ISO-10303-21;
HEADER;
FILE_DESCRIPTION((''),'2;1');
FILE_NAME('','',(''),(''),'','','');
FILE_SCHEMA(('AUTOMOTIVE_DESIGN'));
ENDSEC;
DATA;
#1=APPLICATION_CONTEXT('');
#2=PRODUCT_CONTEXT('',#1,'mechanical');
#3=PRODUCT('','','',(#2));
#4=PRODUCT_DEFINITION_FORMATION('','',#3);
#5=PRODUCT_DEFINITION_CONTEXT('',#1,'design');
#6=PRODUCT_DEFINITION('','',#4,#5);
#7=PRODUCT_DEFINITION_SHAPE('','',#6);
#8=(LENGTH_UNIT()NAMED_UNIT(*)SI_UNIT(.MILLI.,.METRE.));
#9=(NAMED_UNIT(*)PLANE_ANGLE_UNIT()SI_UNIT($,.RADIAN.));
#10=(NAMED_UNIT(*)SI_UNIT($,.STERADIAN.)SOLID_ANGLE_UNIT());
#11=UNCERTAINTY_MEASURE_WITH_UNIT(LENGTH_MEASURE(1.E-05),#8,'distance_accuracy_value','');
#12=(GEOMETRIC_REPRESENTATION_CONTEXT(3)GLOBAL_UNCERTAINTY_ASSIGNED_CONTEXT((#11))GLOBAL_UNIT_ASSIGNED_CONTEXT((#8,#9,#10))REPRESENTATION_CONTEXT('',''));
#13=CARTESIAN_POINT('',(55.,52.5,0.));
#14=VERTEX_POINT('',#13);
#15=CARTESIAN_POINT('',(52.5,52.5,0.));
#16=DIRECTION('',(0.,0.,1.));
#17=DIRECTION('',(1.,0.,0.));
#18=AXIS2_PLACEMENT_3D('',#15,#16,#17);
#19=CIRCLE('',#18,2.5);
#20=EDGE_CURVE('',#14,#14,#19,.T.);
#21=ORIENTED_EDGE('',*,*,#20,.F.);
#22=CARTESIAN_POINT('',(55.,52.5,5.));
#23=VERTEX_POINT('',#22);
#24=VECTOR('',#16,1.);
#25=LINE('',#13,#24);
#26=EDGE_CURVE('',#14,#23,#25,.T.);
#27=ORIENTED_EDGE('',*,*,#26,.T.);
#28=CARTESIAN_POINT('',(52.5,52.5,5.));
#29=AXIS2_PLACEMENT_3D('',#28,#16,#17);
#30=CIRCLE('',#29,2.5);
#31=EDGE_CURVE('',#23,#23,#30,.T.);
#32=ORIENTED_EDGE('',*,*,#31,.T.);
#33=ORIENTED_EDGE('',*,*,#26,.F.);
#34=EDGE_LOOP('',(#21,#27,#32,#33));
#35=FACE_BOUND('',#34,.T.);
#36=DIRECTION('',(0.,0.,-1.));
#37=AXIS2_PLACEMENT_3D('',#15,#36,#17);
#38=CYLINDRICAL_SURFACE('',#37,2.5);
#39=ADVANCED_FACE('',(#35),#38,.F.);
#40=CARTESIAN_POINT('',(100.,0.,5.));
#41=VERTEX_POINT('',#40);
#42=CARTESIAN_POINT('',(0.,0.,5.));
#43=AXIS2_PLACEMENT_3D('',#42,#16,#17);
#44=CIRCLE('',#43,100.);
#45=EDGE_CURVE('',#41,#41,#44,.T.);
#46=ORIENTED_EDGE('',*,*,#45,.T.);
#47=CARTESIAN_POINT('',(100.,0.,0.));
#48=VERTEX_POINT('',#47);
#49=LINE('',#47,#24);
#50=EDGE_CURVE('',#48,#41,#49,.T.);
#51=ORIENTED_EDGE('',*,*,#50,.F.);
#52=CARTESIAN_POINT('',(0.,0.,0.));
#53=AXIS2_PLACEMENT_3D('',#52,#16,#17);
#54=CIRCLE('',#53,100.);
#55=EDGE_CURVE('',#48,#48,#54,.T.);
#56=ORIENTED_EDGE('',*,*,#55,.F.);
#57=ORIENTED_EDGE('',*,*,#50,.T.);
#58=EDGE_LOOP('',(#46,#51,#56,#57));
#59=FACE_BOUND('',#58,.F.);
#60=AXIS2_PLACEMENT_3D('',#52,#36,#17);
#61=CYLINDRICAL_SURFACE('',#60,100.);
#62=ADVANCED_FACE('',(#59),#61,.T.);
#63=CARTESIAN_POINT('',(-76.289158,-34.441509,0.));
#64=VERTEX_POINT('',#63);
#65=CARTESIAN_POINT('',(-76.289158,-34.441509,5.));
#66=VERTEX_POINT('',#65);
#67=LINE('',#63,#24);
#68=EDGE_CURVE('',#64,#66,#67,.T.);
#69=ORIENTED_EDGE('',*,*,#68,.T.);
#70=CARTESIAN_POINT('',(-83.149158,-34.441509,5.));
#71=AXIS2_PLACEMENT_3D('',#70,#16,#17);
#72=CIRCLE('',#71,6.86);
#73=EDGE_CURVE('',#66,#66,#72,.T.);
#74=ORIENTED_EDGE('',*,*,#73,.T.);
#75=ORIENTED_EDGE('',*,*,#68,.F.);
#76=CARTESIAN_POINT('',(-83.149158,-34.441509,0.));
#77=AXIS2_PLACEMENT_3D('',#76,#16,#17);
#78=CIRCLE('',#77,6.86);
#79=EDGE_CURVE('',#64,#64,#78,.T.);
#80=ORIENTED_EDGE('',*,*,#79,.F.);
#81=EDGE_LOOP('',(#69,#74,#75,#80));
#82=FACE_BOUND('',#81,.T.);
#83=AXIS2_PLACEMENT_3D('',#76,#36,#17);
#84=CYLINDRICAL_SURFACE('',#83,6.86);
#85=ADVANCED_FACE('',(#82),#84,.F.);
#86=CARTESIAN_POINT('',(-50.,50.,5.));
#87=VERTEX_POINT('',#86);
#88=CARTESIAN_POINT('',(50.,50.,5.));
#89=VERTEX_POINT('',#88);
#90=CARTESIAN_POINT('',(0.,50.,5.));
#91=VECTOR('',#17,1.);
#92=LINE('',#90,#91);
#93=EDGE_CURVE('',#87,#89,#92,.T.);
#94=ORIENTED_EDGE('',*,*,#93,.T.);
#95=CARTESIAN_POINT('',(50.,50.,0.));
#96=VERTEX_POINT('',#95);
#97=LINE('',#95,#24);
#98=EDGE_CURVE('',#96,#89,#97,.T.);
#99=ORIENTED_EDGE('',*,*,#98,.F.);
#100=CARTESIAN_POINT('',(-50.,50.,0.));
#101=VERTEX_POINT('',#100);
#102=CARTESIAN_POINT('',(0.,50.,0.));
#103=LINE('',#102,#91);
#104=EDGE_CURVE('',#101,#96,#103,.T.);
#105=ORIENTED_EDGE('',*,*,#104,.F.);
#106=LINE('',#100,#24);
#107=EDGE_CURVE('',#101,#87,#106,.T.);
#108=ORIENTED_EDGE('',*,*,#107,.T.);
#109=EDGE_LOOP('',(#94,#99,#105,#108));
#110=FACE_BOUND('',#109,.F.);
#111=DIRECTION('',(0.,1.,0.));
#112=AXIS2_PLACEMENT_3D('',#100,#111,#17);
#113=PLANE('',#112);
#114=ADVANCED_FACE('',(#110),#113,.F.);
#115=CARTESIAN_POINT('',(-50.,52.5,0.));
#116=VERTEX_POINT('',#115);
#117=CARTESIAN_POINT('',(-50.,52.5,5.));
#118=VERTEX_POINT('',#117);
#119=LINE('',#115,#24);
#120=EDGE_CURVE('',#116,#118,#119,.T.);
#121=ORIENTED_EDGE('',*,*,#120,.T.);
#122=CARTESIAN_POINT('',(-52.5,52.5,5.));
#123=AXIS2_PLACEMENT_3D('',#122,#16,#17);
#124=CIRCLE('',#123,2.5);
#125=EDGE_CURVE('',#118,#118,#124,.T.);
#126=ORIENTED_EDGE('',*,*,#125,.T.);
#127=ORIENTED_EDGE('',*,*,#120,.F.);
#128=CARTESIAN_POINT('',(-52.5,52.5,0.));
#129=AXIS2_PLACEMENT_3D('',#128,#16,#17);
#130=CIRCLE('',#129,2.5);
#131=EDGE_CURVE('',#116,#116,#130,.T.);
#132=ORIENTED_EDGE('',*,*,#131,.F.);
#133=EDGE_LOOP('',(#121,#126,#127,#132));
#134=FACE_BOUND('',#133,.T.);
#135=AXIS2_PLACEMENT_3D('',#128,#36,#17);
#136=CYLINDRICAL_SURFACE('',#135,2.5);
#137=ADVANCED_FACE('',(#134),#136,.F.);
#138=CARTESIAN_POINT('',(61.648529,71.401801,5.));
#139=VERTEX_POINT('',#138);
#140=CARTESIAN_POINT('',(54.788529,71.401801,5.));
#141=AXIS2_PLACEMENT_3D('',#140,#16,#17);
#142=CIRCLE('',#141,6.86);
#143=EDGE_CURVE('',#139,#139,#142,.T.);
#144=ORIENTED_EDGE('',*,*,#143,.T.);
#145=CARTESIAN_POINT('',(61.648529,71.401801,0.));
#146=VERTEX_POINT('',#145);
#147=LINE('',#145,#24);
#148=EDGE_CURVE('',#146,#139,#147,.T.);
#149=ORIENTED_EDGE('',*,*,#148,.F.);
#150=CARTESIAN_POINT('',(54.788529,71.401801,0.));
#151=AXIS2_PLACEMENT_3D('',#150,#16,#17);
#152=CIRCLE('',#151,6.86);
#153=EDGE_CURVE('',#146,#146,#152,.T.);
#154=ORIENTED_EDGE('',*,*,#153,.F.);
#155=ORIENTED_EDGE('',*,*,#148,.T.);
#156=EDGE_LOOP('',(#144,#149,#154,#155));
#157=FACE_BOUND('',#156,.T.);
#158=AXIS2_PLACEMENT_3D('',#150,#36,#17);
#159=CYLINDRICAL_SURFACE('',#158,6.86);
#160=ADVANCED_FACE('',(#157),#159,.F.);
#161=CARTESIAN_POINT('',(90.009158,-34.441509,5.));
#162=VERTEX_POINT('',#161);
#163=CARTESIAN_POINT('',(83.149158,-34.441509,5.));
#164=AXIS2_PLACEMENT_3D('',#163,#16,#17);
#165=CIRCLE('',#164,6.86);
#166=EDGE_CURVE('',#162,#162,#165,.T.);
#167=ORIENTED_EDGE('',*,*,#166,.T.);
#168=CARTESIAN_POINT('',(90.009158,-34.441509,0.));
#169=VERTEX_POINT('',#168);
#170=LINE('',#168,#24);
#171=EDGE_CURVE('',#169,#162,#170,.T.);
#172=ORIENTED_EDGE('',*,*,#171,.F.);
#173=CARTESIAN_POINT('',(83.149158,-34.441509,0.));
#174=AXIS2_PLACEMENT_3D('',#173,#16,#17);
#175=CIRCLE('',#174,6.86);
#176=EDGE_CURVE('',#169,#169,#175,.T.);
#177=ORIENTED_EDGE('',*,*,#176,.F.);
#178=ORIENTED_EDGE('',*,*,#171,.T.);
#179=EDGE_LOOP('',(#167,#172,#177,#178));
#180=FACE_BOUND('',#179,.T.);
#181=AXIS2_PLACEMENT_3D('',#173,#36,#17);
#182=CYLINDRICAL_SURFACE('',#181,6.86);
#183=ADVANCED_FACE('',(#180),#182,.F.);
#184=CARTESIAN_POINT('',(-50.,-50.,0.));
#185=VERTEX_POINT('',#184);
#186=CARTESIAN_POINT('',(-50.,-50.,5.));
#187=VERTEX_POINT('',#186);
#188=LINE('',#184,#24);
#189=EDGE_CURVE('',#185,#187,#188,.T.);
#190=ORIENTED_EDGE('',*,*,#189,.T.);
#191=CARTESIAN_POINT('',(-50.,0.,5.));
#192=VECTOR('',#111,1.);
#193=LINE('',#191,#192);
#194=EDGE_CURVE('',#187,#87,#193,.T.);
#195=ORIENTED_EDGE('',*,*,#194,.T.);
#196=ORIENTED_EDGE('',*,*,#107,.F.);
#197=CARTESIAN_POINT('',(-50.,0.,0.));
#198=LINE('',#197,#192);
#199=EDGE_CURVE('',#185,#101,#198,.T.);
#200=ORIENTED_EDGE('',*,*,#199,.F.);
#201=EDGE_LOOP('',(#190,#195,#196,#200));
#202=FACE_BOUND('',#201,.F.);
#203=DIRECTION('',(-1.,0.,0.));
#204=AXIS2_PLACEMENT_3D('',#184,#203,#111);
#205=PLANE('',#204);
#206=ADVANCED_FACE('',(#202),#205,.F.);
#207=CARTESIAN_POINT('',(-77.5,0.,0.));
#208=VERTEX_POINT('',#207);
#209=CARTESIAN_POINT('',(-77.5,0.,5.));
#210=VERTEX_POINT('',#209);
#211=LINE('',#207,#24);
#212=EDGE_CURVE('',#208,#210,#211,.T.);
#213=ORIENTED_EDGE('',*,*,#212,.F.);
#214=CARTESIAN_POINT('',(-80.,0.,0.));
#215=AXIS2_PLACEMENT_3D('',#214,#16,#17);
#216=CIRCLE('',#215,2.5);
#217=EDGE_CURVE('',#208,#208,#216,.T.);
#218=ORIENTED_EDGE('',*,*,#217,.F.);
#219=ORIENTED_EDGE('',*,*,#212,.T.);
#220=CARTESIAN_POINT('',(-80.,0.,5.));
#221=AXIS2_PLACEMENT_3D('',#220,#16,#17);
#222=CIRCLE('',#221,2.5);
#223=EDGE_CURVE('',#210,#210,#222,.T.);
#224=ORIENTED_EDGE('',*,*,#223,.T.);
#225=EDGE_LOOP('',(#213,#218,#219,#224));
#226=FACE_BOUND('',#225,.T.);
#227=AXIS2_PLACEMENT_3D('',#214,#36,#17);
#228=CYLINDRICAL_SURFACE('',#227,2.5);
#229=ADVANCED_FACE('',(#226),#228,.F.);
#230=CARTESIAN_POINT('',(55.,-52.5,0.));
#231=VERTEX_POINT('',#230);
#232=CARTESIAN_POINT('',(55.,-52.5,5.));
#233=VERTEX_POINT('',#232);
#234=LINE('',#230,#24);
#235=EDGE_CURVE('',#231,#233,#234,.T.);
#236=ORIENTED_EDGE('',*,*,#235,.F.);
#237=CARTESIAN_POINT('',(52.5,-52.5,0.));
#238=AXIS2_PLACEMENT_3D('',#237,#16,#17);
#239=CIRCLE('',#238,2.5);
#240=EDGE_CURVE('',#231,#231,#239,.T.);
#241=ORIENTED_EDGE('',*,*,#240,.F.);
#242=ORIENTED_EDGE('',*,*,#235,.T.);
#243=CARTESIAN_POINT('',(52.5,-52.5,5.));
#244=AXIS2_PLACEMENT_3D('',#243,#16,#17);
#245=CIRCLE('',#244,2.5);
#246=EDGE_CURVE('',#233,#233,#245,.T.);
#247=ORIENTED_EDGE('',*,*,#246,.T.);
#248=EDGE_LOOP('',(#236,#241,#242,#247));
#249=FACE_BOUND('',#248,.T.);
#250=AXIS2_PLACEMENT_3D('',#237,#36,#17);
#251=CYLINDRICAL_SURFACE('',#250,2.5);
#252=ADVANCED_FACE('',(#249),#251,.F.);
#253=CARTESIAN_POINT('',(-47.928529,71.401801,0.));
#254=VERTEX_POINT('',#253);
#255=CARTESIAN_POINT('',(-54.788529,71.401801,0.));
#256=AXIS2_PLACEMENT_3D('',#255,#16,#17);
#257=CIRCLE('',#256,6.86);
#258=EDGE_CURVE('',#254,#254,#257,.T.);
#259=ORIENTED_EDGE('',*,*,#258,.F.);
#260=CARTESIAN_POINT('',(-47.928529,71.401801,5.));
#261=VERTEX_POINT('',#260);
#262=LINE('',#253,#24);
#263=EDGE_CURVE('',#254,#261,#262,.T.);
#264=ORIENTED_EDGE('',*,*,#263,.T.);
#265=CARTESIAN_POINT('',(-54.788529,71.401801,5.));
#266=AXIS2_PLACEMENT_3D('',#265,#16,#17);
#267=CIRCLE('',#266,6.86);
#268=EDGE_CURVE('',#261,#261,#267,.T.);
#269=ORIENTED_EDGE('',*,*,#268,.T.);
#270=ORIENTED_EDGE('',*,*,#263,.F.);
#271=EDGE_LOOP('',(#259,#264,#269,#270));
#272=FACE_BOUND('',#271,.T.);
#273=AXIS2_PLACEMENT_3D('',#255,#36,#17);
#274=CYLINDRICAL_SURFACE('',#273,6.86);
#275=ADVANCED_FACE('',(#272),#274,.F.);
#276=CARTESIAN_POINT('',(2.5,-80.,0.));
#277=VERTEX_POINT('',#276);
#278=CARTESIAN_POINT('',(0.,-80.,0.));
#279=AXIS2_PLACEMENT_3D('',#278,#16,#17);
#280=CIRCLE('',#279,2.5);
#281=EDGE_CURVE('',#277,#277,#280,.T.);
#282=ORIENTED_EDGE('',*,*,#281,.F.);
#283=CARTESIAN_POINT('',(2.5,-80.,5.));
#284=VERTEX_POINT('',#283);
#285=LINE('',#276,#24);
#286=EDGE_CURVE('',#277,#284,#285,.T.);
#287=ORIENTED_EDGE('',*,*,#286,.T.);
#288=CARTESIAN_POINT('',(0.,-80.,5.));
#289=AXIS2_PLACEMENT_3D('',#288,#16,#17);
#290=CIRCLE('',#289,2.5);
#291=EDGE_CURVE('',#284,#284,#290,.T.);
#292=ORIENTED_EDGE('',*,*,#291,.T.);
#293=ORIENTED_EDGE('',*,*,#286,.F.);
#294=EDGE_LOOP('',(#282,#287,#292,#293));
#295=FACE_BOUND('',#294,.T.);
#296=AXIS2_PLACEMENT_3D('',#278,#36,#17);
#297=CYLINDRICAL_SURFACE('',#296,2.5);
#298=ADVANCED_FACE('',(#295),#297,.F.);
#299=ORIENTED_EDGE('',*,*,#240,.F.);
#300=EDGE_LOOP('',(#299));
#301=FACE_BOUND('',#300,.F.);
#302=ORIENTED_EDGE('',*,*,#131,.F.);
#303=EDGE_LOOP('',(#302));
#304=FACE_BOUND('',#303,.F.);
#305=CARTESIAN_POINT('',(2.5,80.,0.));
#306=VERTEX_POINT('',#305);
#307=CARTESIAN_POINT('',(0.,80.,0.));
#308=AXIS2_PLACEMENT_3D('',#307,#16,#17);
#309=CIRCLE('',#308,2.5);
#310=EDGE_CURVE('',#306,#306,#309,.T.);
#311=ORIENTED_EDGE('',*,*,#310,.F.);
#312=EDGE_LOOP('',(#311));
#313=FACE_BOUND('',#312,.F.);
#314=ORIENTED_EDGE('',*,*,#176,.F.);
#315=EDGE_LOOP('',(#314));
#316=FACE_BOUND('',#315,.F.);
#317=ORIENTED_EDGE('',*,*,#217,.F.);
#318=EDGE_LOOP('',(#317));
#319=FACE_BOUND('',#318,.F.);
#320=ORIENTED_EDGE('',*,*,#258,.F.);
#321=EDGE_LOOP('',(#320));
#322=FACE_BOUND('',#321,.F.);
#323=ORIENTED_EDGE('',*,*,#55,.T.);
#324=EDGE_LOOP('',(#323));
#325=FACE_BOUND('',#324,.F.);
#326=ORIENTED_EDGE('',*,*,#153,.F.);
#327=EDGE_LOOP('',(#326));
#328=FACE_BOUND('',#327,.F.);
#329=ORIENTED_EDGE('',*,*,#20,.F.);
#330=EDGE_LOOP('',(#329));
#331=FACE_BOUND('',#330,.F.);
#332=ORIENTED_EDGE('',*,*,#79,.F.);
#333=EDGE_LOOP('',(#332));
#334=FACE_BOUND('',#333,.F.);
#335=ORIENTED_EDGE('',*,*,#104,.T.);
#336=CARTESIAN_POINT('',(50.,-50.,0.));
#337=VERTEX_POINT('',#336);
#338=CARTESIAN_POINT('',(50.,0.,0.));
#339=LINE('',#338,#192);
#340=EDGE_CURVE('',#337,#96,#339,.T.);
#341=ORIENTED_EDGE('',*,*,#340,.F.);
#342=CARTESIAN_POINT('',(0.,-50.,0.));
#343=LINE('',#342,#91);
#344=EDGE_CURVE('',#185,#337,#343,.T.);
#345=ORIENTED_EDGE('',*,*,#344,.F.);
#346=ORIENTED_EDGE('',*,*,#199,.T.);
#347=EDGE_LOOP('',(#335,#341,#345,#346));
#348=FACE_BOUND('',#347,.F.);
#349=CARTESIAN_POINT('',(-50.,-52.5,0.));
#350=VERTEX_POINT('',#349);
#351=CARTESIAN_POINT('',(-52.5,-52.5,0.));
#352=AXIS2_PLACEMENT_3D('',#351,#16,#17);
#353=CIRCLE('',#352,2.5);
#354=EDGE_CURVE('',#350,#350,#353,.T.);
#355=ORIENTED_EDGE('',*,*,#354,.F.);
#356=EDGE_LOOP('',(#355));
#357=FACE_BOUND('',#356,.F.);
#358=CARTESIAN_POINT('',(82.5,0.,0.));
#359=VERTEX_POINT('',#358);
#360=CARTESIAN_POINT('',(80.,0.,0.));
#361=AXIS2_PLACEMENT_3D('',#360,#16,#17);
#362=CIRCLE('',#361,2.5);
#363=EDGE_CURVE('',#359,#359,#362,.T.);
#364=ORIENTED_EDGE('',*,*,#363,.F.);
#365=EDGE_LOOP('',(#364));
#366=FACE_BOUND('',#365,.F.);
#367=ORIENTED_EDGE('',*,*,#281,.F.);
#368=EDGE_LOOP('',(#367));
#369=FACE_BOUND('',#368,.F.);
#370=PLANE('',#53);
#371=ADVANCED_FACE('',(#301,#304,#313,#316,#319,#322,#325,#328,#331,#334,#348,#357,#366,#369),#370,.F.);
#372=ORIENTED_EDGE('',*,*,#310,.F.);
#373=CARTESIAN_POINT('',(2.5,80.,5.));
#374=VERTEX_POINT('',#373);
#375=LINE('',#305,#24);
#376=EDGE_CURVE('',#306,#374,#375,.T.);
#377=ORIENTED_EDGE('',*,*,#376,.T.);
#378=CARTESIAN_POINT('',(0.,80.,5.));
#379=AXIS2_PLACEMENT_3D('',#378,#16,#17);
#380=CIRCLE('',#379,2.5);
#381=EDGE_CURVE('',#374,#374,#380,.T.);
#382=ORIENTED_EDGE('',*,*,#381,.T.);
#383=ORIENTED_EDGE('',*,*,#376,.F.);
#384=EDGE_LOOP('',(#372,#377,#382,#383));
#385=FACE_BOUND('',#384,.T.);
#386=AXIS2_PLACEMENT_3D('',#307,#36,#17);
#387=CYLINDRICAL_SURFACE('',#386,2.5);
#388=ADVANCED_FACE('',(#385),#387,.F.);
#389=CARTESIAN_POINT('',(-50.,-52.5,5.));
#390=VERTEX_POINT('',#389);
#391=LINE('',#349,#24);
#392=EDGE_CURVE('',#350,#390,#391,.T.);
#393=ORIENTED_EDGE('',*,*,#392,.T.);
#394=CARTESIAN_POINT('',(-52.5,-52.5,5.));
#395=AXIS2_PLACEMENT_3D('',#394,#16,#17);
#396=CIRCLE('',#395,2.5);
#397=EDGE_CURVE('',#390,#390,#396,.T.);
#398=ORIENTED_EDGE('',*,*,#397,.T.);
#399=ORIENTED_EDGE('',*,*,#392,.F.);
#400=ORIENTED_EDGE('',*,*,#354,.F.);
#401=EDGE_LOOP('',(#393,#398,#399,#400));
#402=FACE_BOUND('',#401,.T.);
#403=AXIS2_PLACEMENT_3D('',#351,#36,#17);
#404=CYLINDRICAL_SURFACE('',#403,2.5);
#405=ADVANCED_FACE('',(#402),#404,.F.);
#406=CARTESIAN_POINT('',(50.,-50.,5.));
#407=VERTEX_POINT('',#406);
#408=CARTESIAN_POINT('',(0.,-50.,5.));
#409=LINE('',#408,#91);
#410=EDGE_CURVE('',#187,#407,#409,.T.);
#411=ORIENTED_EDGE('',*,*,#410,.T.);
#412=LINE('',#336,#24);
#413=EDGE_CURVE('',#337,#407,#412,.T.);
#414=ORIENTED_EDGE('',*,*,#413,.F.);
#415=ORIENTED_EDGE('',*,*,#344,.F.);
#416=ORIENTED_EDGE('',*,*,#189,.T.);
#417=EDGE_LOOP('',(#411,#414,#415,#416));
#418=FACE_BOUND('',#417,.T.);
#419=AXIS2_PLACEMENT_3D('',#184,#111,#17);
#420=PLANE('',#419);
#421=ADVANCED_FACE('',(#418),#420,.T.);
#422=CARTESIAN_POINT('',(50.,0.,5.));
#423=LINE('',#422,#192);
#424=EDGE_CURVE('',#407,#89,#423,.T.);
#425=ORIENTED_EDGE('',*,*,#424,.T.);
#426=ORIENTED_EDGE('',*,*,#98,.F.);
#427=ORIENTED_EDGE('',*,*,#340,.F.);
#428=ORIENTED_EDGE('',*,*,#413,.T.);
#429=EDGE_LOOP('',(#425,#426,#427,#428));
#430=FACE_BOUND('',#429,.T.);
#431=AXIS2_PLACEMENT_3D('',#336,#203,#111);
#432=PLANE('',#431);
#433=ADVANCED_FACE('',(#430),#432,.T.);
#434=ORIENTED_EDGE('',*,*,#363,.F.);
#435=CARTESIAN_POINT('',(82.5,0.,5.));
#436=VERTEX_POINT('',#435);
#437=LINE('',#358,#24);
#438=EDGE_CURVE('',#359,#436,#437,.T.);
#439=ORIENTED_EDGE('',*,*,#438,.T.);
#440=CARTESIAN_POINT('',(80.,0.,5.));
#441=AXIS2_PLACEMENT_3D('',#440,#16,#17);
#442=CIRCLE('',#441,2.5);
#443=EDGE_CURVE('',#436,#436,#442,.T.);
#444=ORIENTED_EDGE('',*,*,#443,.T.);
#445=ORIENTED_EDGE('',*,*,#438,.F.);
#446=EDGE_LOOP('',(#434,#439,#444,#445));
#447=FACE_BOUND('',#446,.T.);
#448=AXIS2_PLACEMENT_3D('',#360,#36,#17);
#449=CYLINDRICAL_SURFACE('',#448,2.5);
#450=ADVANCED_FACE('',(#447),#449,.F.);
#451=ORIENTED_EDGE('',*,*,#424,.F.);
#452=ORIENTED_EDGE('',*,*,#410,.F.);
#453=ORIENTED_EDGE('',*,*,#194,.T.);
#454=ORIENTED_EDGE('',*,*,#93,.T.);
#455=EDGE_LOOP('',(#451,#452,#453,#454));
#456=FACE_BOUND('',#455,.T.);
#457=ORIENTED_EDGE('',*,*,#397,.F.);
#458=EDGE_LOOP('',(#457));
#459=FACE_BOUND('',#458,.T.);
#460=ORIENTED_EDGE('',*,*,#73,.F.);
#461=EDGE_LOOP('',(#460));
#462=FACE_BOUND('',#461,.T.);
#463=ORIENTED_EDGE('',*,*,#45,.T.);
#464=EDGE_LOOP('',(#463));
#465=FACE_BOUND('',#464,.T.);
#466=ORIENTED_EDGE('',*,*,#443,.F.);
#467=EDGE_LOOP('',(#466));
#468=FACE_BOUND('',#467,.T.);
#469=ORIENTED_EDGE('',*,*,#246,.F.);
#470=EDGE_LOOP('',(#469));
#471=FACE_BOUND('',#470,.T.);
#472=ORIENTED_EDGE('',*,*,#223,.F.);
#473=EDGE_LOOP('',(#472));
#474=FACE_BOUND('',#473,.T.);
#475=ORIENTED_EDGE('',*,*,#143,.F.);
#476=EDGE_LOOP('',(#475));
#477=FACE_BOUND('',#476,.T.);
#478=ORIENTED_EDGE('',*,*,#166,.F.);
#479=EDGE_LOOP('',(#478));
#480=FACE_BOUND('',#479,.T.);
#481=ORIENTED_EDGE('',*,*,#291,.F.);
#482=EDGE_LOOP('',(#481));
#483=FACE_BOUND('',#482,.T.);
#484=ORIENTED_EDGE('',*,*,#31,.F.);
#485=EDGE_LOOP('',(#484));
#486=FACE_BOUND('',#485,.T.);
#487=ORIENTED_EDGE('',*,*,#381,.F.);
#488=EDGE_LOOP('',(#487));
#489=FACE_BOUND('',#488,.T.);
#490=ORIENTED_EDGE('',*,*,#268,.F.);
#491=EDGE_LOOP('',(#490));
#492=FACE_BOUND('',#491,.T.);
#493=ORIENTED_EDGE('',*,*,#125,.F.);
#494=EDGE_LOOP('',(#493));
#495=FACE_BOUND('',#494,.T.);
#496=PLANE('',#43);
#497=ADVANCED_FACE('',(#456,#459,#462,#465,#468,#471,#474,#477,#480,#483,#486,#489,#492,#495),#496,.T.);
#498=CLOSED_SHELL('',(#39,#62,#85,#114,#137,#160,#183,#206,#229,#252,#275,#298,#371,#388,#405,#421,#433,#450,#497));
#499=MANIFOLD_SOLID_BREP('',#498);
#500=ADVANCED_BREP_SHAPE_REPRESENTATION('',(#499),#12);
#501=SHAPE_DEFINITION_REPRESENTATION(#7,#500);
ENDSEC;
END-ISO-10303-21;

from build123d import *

# Parameters (mm, degrees)
F0_R     = 100
F0_R_2   = 2.5
F0_R_3   = 6.86
F0_W     = 100
F0_H     = 100
F1_DEPTH = 5


with BuildPart() as f1:
    # F0 (on Top) → F1 (new body)
    with BuildSketch(Plane.XY):
        Circle(F0_R)
        with Locations((-52.5, -52.5)):
            Circle(F0_R_2, mode=Mode.SUBTRACT)
        with Locations((-83.149158, -34.441509)):
            Circle(F0_R_3, mode=Mode.SUBTRACT)
        with Locations((0, -80)):
            Circle(F0_R_2, mode=Mode.SUBTRACT)
        with Locations((52.5, -52.5)):
            Circle(F0_R_2, mode=Mode.SUBTRACT)
        with Locations((83.149158, -34.441509)):
            Circle(F0_R_3, mode=Mode.SUBTRACT)
        with Locations((-80, 0)):
            Circle(F0_R_2, mode=Mode.SUBTRACT)
        with Locations((-52.5, 52.5)):
            Circle(F0_R_2, mode=Mode.SUBTRACT)
        with Locations((-54.788529, 71.401801)):
            Circle(F0_R_3, mode=Mode.SUBTRACT)
        Rectangle(F0_W, F0_H, mode=Mode.SUBTRACT)
        with Locations((80, 0)):
            Circle(F0_R_2, mode=Mode.SUBTRACT)
        with Locations((0, 80)):
            Circle(F0_R_2, mode=Mode.SUBTRACT)
        with Locations((52.5, 52.5)):
            Circle(F0_R_2, mode=Mode.SUBTRACT)
        with Locations((54.788529, 71.401801)):
            Circle(F0_R_3, mode=Mode.SUBTRACT)
    extrude(amount=F1_DEPTH)


solid = f1.part
